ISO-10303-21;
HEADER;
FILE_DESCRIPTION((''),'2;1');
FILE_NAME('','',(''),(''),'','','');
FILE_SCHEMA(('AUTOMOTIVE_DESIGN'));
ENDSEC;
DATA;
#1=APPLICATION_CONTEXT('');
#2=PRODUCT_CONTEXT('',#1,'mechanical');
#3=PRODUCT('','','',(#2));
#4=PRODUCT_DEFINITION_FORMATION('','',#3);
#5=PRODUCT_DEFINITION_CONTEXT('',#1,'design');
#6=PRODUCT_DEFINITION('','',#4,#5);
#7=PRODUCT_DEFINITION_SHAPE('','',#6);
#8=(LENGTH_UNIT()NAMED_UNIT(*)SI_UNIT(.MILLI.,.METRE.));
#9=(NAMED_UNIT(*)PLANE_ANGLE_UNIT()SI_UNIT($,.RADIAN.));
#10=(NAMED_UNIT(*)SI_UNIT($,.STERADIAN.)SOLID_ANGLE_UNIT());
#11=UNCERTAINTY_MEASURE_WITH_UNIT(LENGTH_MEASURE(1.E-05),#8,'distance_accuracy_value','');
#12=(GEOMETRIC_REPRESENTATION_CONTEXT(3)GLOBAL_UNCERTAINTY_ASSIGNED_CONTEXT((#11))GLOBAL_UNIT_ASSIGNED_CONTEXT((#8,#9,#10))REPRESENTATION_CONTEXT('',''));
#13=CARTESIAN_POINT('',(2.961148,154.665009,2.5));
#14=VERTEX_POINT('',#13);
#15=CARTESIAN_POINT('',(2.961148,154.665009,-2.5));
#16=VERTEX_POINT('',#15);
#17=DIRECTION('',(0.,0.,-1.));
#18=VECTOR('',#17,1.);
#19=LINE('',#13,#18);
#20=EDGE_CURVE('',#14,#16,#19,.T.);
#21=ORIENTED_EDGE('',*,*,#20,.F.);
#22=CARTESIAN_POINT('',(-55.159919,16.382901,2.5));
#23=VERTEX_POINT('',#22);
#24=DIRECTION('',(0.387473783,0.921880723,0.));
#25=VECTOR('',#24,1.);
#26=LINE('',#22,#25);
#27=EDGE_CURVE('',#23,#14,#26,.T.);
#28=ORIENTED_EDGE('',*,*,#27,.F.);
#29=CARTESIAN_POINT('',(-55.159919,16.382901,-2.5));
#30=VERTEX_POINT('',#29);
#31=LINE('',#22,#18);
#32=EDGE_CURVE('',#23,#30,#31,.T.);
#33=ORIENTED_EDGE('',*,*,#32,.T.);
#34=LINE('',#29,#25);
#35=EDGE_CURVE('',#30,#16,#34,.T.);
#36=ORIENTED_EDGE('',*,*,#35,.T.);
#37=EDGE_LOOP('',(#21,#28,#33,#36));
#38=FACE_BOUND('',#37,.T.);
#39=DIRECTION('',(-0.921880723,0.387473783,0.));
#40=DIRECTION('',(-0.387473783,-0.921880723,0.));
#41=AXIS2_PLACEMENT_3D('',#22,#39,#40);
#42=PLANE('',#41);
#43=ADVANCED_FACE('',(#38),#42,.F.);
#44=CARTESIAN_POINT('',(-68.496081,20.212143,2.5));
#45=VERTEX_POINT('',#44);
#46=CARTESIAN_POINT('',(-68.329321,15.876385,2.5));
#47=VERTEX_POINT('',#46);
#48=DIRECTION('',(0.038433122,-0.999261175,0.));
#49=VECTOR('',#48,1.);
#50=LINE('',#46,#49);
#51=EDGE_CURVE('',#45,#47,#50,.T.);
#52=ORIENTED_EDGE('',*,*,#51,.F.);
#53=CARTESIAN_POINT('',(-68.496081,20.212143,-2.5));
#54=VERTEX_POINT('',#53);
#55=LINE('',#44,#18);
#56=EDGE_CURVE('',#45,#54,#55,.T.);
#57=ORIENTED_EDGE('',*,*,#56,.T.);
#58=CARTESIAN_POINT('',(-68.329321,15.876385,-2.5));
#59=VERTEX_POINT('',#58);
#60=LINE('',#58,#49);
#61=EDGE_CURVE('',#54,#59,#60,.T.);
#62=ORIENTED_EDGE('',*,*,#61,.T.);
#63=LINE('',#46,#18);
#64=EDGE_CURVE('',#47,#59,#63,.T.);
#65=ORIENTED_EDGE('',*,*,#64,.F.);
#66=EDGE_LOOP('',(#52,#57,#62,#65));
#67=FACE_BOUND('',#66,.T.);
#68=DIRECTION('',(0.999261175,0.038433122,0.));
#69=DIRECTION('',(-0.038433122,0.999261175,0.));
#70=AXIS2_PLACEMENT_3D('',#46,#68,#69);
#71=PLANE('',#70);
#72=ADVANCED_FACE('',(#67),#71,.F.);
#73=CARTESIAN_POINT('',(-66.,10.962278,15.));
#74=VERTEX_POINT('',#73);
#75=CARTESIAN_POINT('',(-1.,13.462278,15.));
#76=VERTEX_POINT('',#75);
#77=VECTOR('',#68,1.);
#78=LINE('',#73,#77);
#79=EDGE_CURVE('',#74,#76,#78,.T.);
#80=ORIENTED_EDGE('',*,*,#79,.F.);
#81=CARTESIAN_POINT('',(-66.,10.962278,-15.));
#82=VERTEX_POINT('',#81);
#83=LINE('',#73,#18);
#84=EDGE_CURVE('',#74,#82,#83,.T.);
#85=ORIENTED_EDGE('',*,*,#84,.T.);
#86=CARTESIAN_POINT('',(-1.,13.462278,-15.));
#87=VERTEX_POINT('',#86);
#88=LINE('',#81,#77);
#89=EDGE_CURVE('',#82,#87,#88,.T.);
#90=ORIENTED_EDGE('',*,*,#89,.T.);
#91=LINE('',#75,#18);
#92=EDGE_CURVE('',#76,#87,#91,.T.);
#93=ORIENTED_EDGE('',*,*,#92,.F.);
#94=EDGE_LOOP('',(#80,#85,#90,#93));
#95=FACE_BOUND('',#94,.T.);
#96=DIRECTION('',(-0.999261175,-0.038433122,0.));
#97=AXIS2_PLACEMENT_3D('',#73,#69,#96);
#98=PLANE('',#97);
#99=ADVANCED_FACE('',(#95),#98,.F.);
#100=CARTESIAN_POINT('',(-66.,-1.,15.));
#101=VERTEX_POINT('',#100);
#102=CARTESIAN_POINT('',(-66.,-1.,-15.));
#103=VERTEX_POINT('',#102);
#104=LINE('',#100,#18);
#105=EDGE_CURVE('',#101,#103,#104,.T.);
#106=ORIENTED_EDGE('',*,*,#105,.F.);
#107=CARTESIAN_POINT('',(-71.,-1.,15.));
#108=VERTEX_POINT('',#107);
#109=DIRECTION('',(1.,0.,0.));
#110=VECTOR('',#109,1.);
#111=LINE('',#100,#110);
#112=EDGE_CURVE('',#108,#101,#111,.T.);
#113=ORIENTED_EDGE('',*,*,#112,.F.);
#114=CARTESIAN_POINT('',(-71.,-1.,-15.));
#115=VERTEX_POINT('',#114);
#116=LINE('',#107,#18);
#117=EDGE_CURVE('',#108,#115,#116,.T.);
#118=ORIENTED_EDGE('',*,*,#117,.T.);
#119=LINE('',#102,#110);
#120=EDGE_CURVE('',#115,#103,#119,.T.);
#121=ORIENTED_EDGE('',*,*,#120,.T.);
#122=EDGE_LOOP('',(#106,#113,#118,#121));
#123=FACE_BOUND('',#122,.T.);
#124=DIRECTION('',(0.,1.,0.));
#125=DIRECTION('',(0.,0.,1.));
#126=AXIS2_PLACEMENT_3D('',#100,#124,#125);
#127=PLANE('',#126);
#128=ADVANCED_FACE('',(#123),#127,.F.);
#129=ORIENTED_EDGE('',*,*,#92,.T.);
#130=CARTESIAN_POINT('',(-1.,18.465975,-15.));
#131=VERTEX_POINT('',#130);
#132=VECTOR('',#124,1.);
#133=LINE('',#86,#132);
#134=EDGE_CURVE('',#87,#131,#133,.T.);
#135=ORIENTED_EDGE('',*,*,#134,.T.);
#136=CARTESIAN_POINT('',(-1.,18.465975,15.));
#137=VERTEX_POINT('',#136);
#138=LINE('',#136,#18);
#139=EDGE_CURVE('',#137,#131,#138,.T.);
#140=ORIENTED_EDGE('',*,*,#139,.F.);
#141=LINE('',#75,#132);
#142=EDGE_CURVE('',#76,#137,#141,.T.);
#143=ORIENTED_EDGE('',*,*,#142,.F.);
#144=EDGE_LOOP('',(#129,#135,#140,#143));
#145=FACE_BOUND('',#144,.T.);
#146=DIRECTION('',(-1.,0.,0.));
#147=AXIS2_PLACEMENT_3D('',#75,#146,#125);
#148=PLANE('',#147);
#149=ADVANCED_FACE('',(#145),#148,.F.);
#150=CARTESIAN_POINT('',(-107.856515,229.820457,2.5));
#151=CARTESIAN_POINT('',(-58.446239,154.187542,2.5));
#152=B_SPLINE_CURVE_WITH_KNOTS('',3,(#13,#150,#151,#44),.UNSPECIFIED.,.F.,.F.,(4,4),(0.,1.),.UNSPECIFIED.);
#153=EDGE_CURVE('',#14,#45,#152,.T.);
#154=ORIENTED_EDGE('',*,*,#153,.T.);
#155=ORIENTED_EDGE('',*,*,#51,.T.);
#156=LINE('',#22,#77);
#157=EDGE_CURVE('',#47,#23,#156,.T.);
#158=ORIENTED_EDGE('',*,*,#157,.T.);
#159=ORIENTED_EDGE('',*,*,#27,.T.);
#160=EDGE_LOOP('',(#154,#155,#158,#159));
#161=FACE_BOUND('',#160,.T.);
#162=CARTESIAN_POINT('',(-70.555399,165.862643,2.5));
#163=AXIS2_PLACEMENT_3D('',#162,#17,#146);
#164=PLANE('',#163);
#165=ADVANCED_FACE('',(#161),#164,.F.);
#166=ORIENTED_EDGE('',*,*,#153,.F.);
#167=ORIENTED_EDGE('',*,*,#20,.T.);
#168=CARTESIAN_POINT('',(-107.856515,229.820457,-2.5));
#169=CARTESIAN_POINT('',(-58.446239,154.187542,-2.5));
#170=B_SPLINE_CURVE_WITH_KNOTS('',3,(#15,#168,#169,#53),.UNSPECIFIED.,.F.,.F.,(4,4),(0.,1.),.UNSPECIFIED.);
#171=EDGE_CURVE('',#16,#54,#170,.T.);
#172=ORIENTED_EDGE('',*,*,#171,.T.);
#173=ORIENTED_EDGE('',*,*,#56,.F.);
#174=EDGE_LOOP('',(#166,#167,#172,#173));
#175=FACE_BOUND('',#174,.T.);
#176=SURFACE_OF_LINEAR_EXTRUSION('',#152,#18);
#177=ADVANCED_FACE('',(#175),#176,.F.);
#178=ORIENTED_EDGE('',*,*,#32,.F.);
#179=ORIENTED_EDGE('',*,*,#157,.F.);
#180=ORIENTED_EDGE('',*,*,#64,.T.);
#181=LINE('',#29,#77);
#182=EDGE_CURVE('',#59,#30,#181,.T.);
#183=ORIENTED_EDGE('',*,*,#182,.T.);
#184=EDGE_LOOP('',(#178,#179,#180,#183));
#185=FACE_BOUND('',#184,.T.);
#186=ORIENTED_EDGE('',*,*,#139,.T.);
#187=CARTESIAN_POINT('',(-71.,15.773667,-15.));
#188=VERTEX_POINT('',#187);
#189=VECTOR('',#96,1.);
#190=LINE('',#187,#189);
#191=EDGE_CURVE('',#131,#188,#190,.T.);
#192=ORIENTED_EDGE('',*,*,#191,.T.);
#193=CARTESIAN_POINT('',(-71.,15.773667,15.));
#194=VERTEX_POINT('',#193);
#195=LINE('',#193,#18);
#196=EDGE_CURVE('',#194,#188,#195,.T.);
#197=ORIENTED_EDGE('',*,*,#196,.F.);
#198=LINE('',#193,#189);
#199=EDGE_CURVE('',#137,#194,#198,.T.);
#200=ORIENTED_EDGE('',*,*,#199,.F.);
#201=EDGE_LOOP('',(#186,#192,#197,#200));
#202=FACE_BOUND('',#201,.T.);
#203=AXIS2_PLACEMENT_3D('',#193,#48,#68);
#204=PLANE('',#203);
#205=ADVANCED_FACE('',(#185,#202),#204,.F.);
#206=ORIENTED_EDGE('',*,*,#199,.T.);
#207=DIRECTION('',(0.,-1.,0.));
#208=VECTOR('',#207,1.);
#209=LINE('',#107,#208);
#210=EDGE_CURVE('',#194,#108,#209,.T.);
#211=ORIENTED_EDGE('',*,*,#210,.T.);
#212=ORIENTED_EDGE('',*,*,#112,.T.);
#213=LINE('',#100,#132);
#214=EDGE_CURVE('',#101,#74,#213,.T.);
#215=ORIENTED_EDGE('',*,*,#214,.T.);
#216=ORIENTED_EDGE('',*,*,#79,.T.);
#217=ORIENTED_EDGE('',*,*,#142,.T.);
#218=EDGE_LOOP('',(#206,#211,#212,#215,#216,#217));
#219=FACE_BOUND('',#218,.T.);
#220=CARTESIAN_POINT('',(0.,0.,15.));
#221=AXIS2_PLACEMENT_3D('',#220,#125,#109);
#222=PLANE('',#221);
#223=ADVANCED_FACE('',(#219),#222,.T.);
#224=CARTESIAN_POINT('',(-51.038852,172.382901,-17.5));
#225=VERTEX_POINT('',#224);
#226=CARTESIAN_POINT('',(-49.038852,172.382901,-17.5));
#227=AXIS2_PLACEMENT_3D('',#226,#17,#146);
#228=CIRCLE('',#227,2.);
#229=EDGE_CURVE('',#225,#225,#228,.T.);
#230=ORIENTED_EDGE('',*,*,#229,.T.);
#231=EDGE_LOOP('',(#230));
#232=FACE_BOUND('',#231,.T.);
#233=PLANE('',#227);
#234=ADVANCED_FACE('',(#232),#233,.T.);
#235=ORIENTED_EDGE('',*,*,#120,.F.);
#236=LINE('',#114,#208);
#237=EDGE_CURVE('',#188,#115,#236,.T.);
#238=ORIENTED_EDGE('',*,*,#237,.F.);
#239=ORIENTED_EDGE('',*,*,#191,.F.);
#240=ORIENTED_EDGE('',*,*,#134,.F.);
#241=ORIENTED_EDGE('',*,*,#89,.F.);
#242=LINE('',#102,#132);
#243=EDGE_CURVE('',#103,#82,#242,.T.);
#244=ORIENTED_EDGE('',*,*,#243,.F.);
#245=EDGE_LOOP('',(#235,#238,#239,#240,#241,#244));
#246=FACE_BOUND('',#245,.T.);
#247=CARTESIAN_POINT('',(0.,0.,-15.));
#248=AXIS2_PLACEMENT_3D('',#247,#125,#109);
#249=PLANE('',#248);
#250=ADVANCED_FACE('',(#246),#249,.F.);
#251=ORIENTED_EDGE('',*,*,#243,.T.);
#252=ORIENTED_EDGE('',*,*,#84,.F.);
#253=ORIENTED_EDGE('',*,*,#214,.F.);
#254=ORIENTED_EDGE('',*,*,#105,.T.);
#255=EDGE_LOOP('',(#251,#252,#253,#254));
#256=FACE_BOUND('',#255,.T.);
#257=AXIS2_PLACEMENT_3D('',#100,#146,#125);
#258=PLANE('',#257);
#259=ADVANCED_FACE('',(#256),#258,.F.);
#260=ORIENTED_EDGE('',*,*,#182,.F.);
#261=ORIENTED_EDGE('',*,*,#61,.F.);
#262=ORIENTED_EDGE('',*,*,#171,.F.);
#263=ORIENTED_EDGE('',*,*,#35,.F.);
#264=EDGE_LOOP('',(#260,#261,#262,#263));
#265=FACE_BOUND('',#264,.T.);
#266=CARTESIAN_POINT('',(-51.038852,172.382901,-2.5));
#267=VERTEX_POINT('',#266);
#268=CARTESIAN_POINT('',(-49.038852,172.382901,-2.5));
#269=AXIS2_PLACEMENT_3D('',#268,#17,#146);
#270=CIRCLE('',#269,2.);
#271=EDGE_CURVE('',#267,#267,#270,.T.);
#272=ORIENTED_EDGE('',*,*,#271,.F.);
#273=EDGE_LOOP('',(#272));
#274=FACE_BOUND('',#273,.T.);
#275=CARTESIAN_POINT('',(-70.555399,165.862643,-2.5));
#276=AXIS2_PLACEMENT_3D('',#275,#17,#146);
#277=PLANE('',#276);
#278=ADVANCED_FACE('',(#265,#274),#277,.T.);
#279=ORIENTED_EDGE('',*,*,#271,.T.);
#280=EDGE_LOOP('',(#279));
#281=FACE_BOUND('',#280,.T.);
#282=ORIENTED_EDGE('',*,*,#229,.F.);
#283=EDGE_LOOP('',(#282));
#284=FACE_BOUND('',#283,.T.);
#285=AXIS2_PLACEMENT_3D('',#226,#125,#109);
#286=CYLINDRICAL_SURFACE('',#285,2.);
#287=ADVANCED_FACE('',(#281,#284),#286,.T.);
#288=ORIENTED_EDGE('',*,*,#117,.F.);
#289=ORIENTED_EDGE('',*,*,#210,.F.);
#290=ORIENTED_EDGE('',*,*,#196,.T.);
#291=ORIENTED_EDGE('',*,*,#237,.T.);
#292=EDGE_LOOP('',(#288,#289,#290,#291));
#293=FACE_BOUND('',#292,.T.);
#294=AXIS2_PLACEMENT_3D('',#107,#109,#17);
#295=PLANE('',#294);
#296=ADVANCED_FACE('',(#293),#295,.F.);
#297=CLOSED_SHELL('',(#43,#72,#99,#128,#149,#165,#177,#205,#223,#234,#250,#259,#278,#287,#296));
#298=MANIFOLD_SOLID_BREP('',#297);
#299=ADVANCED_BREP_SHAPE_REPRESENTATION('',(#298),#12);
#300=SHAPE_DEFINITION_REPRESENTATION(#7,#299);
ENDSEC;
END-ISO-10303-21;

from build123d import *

# Parameters (mm, degrees)
BOSS_EXTRUDE1_DEPTH = 15
BOSS_EXTRUDE2_DEPTH = 2.5
SKETCH3_R           = 2
BOSS_EXTRUDE3_DEPTH = 15


with BuildPart() as part:
    # Sketch1 → Boss-Extrude1 (new, symmetric)
    with BuildSketch(Plane.XY):
        Polygon((-66, 10.962277833), (-1, 13.462277833), (-1, 18.465974691), (-71, 15.773666999), (-71, -1), (-66, -1), align=None)
    extrude(amount=BOSS_EXTRUDE1_DEPTH, both=True)

    # Sketch2 → Boss-Extrude2 (add, symmetric)
    with BuildSketch(Plane.XY):
        with BuildLine():
            Line((-68.329320747, 15.876385432), (-68.49608066, 20.212143147))
            add(Edge.make_bspline(
                [(-68.49608066, 20.212143147), (-58.446239367, 154.187541724), (-107.856515034, 229.820456607), (2.961147934, 154.665009331)],
                knots=[0, 0, 0, 0, 1, 1, 1, 1], degree=3))
            Line((2.961147934, 154.665009331), (-55.159919487, 16.382900865))
            Line((-55.159919487, 16.382900865), (-68.329320747, 15.876385432))
        make_face()
    extrude(amount=BOSS_EXTRUDE2_DEPTH, both=True)

    # Sketch3 → Boss-Extrude3 (add)
    with BuildSketch(Plane(origin=(0, 0, -2.5), x_dir=(-1, 0, 0), z_dir=(0, 0, -1))):
        with Locations((49.038852066, 172.382900865)):
            Circle(SKETCH3_R)
    extrude(amount=BOSS_EXTRUDE3_DEPTH)


solid = part.part
